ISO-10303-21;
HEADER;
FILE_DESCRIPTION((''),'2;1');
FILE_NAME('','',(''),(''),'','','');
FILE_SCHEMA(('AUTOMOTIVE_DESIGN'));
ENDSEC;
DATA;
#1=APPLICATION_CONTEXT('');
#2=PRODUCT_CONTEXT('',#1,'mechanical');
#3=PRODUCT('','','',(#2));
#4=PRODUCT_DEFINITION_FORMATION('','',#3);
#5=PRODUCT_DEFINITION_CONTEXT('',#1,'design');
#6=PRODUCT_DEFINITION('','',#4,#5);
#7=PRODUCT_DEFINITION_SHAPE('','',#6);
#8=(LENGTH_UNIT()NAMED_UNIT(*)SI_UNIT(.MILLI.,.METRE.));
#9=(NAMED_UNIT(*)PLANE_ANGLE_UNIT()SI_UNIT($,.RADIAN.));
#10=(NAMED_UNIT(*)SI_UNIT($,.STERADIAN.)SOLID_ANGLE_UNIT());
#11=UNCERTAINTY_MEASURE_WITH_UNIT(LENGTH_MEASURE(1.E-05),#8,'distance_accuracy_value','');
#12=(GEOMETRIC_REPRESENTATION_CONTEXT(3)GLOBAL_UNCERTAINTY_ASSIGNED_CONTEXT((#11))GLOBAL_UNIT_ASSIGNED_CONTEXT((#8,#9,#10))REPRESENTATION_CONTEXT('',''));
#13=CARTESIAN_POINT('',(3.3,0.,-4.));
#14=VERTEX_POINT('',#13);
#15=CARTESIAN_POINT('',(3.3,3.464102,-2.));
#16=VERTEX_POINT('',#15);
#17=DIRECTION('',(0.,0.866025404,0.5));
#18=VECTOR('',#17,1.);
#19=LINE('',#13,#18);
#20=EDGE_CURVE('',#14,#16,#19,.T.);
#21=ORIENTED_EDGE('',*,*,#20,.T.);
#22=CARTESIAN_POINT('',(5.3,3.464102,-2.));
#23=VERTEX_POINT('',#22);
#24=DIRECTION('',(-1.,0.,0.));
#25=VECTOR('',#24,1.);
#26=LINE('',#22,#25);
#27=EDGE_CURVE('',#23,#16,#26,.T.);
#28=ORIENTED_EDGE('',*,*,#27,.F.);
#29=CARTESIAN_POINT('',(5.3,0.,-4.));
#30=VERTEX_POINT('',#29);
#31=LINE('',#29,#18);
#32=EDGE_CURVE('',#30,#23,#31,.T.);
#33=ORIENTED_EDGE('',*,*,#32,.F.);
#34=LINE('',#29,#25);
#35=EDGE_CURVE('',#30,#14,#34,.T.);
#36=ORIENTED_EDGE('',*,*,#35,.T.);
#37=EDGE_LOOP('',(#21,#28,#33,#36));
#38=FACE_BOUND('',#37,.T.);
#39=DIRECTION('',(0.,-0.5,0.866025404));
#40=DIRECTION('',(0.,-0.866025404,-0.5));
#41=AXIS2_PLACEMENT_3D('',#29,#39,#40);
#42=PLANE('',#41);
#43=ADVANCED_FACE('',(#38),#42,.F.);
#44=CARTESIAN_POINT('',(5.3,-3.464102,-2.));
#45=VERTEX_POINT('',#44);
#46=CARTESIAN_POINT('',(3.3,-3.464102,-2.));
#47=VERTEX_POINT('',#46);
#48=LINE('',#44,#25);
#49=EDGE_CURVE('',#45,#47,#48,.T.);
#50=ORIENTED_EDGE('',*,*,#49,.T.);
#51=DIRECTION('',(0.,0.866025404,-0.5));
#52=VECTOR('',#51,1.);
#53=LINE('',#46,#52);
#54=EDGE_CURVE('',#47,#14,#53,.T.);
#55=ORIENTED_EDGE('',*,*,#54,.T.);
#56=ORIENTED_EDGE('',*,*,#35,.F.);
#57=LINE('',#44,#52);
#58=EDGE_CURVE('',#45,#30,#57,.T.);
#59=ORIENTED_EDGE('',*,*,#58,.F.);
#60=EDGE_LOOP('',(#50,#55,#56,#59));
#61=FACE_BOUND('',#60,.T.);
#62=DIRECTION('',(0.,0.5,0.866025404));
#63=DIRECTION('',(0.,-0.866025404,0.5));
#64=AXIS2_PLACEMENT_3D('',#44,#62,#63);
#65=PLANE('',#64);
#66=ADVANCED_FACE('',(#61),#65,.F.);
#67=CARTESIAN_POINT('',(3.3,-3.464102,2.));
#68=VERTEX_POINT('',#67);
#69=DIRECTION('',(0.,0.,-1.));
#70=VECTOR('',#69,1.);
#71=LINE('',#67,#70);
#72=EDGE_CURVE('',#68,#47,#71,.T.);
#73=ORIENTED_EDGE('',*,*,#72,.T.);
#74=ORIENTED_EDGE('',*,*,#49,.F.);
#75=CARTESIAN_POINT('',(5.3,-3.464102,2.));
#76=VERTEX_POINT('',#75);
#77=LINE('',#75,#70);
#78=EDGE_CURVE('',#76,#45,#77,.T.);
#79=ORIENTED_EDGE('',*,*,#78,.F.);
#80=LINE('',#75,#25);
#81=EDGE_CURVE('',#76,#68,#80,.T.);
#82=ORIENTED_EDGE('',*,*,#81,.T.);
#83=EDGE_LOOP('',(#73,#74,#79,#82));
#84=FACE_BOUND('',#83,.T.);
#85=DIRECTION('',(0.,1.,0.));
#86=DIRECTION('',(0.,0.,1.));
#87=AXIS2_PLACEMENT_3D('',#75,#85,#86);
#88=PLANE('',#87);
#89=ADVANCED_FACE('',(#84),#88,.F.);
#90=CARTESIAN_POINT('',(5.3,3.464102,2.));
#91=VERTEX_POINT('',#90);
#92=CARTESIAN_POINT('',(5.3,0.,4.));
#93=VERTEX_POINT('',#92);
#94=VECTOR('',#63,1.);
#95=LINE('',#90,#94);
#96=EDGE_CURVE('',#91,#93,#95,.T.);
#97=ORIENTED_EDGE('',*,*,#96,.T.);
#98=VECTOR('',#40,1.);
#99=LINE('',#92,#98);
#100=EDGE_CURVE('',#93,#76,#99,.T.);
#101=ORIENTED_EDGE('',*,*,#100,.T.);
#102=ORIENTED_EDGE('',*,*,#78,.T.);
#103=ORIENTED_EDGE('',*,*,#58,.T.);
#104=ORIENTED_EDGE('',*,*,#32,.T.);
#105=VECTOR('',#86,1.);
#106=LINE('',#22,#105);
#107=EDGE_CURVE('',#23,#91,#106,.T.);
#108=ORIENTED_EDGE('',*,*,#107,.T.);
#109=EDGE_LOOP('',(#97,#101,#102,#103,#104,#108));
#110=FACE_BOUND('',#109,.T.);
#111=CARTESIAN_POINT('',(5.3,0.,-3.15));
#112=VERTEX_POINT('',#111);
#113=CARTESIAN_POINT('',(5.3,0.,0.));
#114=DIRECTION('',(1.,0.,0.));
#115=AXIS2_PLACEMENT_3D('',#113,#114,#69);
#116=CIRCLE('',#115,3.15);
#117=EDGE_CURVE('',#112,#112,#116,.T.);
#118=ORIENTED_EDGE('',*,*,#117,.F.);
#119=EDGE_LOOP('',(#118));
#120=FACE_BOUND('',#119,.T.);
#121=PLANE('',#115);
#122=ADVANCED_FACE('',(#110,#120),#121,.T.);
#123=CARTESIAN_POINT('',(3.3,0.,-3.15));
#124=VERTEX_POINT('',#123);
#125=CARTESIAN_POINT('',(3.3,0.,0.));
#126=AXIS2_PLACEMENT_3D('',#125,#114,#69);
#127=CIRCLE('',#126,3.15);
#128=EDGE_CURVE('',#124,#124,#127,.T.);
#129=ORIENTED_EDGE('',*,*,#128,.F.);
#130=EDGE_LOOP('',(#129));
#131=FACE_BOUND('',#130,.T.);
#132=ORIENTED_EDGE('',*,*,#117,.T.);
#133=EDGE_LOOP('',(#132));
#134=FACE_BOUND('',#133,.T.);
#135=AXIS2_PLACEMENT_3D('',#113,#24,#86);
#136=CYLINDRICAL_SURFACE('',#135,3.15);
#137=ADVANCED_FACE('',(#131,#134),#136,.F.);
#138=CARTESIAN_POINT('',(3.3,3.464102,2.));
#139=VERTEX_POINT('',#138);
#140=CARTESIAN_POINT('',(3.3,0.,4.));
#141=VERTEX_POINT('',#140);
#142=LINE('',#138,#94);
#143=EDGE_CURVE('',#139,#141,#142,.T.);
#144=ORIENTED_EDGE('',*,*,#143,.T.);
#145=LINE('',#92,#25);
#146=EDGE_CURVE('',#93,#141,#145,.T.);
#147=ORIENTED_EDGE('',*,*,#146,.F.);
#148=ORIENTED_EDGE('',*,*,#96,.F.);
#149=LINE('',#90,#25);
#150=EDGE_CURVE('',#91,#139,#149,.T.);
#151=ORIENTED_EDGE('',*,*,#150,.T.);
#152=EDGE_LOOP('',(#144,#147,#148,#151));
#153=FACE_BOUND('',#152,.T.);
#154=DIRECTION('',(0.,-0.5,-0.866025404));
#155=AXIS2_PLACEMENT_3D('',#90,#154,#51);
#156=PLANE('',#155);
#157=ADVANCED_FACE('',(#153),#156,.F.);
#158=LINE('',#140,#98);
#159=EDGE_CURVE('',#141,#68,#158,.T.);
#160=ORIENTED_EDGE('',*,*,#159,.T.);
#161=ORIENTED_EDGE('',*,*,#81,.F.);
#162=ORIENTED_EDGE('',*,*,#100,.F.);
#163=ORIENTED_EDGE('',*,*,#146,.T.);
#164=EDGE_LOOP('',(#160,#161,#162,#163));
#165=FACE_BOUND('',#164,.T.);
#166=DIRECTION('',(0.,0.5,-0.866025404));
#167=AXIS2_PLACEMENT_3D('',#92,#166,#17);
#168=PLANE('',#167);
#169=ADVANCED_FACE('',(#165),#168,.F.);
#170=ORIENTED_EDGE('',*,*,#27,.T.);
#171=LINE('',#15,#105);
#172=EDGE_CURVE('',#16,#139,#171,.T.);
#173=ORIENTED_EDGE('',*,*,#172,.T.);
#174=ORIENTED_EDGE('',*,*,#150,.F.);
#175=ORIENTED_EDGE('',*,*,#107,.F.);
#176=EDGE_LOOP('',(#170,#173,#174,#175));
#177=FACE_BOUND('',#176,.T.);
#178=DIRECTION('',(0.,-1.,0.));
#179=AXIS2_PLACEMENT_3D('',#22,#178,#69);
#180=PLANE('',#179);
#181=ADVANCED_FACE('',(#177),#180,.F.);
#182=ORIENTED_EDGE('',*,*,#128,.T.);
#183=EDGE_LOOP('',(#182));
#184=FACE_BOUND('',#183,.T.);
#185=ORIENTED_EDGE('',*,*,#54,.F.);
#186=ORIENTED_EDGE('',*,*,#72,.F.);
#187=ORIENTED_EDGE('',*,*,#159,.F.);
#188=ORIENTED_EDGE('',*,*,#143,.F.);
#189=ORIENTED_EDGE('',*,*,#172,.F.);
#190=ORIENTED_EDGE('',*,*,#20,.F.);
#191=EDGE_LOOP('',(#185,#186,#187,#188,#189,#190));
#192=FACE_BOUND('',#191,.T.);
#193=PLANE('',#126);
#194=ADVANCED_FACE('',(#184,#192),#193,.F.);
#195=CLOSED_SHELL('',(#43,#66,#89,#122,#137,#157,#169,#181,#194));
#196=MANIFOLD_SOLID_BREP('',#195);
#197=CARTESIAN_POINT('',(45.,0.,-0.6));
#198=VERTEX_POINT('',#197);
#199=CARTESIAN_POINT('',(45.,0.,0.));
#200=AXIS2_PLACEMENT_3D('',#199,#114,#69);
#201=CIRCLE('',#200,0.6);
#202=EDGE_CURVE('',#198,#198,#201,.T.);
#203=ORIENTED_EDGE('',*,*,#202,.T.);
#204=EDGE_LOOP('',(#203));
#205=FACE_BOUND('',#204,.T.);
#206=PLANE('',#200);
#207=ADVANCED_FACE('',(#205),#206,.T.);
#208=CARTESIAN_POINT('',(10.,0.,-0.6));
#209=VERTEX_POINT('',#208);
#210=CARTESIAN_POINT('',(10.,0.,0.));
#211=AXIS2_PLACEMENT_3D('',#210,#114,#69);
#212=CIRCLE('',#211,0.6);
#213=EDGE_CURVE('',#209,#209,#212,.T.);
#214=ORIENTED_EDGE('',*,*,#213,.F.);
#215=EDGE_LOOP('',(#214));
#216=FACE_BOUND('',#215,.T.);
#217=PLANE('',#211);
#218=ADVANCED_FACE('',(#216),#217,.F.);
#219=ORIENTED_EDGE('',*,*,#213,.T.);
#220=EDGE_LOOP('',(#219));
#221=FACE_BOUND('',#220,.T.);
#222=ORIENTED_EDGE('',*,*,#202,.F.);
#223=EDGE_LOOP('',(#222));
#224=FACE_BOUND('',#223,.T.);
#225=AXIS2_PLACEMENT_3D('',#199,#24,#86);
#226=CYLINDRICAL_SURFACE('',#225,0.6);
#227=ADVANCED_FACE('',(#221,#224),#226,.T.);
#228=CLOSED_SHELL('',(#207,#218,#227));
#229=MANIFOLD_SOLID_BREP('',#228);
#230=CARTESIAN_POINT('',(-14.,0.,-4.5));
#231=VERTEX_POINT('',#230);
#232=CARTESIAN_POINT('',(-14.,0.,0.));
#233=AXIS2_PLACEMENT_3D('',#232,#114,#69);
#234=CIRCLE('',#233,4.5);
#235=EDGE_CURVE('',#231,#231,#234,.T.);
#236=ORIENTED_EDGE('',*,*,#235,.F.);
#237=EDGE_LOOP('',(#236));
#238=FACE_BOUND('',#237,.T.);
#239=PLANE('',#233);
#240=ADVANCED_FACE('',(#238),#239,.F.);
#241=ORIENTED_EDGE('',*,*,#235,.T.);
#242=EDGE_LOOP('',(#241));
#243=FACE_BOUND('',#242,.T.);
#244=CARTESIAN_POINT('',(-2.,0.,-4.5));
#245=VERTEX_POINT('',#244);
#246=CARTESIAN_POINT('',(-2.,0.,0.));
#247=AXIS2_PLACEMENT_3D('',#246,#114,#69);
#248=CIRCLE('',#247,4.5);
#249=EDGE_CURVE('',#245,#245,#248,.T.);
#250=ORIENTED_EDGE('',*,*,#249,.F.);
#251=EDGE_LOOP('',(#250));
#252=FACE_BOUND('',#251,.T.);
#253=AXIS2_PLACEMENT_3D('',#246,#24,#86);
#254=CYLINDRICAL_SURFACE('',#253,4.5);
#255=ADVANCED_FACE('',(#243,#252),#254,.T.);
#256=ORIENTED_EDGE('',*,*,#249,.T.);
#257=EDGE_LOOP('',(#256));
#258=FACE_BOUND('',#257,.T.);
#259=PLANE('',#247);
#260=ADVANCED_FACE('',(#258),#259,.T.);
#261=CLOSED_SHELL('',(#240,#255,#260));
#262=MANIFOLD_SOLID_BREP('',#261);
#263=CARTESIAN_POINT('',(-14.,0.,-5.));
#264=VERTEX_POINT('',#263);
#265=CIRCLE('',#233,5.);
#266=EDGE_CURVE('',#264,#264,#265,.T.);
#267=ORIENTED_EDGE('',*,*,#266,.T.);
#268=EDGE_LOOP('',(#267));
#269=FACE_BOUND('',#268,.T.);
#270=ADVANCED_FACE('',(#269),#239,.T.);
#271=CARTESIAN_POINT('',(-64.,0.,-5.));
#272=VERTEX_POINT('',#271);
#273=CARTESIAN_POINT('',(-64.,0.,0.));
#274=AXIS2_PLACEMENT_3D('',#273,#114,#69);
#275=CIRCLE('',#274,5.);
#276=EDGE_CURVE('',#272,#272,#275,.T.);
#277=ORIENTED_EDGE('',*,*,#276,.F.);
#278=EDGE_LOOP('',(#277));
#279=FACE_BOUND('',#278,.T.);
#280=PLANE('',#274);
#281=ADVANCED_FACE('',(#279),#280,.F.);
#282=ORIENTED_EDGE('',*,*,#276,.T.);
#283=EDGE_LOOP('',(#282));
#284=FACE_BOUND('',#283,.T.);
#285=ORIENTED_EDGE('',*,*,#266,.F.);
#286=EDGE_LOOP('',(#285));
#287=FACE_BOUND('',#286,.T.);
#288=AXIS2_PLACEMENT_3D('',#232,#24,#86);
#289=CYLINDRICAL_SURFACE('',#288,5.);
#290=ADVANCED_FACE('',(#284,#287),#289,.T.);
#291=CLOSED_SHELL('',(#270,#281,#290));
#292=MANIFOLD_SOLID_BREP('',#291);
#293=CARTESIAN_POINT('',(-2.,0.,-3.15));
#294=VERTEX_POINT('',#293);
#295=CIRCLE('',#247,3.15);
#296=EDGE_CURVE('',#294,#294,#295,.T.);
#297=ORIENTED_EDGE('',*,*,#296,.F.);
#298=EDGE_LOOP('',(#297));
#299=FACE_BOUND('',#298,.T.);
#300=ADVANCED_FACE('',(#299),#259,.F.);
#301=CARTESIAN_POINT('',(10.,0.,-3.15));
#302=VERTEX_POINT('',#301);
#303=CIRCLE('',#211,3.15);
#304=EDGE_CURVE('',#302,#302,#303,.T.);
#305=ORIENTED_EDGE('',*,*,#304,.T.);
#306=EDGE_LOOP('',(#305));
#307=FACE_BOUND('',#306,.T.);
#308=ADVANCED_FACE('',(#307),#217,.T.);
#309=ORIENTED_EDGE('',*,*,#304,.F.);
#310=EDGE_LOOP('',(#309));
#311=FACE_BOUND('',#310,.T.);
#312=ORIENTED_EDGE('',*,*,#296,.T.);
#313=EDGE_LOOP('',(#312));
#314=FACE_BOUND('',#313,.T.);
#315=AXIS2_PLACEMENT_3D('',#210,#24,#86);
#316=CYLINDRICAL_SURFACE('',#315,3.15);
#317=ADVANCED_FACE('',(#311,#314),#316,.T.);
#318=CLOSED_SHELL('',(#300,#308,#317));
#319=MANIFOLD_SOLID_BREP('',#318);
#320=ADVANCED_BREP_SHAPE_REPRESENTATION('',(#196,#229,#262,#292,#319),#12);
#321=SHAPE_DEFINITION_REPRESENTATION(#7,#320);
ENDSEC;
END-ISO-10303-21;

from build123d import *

# Parameters (mm, degrees)
SMA_START          = -2
SK_SMA_BODY_R      = 3.15
SMA_BODY_DEPTH     = 12
SMA_START_2        = 3.3
SK_SMA_NUT_R       = 3.15
SMA_NUT_DEPTH      = 2
ANTENNA_START      = -14
SK_ANTENNA_BASE_R  = 4.5
ANTENNA_BASE_DEPTH = 12
ANTENNA_START_2    = -64
SK_ANTENNA_R       = 5
ANTENNA_DEPTH      = 50
UFL_START          = 10
SK_UFL_PIGTAIL_R   = 0.6
UFL_PIGTAIL_DEPTH  = 35


with BuildPart() as part:
    # SK SMA body → SMA body (new body)
    with BuildSketch(Plane(origin=(0, 0, 0), x_dir=(0, 0, -1), z_dir=(1, 0, 0)).offset(SMA_START)):
        Circle(SK_SMA_BODY_R)
    extrude(amount=SMA_BODY_DEPTH)


with BuildPart() as body_2:
    # SK SMA nut → SMA nut (new body)
    with BuildSketch(Plane(origin=(0, 0, 0), x_dir=(0, 0, -1), z_dir=(1, 0, 0)).offset(SMA_START_2)):
        Polygon((4, 0), (2, 3.464101615), (-2, 3.464101615), (-4, 0), (-2, -3.464101615), (2, -3.464101615), align=None)
        Circle(SK_SMA_NUT_R, mode=Mode.SUBTRACT)
    extrude(amount=SMA_NUT_DEPTH)


with BuildPart() as body_3:
    # SK Antenna base → Antenna base (new body)
    with BuildSketch(Plane(origin=(0, 0, 0), x_dir=(0, 0, -1), z_dir=(1, 0, 0)).offset(ANTENNA_START)):
        Circle(SK_ANTENNA_BASE_R)
    extrude(amount=ANTENNA_BASE_DEPTH)


with BuildPart() as body_4:
    # SK Antenna → Antenna (new body)
    with BuildSketch(Plane(origin=(0, 0, 0), x_dir=(0, 0, -1), z_dir=(1, 0, 0)).offset(ANTENNA_START_2)):
        Circle(SK_ANTENNA_R)
    extrude(amount=ANTENNA_DEPTH)


with BuildPart() as body_5:
    # SK uFL pigtail → uFL pigtail (new body)
    with BuildSketch(Plane(origin=(0, 0, 0), x_dir=(0, 0, -1), z_dir=(1, 0, 0)).offset(UFL_START)):
        Circle(SK_UFL_PIGTAIL_R)
    extrude(amount=UFL_PIGTAIL_DEPTH)


solid = Compound([part.part, body_2.part, body_3.part, body_4.part, body_5.part])
